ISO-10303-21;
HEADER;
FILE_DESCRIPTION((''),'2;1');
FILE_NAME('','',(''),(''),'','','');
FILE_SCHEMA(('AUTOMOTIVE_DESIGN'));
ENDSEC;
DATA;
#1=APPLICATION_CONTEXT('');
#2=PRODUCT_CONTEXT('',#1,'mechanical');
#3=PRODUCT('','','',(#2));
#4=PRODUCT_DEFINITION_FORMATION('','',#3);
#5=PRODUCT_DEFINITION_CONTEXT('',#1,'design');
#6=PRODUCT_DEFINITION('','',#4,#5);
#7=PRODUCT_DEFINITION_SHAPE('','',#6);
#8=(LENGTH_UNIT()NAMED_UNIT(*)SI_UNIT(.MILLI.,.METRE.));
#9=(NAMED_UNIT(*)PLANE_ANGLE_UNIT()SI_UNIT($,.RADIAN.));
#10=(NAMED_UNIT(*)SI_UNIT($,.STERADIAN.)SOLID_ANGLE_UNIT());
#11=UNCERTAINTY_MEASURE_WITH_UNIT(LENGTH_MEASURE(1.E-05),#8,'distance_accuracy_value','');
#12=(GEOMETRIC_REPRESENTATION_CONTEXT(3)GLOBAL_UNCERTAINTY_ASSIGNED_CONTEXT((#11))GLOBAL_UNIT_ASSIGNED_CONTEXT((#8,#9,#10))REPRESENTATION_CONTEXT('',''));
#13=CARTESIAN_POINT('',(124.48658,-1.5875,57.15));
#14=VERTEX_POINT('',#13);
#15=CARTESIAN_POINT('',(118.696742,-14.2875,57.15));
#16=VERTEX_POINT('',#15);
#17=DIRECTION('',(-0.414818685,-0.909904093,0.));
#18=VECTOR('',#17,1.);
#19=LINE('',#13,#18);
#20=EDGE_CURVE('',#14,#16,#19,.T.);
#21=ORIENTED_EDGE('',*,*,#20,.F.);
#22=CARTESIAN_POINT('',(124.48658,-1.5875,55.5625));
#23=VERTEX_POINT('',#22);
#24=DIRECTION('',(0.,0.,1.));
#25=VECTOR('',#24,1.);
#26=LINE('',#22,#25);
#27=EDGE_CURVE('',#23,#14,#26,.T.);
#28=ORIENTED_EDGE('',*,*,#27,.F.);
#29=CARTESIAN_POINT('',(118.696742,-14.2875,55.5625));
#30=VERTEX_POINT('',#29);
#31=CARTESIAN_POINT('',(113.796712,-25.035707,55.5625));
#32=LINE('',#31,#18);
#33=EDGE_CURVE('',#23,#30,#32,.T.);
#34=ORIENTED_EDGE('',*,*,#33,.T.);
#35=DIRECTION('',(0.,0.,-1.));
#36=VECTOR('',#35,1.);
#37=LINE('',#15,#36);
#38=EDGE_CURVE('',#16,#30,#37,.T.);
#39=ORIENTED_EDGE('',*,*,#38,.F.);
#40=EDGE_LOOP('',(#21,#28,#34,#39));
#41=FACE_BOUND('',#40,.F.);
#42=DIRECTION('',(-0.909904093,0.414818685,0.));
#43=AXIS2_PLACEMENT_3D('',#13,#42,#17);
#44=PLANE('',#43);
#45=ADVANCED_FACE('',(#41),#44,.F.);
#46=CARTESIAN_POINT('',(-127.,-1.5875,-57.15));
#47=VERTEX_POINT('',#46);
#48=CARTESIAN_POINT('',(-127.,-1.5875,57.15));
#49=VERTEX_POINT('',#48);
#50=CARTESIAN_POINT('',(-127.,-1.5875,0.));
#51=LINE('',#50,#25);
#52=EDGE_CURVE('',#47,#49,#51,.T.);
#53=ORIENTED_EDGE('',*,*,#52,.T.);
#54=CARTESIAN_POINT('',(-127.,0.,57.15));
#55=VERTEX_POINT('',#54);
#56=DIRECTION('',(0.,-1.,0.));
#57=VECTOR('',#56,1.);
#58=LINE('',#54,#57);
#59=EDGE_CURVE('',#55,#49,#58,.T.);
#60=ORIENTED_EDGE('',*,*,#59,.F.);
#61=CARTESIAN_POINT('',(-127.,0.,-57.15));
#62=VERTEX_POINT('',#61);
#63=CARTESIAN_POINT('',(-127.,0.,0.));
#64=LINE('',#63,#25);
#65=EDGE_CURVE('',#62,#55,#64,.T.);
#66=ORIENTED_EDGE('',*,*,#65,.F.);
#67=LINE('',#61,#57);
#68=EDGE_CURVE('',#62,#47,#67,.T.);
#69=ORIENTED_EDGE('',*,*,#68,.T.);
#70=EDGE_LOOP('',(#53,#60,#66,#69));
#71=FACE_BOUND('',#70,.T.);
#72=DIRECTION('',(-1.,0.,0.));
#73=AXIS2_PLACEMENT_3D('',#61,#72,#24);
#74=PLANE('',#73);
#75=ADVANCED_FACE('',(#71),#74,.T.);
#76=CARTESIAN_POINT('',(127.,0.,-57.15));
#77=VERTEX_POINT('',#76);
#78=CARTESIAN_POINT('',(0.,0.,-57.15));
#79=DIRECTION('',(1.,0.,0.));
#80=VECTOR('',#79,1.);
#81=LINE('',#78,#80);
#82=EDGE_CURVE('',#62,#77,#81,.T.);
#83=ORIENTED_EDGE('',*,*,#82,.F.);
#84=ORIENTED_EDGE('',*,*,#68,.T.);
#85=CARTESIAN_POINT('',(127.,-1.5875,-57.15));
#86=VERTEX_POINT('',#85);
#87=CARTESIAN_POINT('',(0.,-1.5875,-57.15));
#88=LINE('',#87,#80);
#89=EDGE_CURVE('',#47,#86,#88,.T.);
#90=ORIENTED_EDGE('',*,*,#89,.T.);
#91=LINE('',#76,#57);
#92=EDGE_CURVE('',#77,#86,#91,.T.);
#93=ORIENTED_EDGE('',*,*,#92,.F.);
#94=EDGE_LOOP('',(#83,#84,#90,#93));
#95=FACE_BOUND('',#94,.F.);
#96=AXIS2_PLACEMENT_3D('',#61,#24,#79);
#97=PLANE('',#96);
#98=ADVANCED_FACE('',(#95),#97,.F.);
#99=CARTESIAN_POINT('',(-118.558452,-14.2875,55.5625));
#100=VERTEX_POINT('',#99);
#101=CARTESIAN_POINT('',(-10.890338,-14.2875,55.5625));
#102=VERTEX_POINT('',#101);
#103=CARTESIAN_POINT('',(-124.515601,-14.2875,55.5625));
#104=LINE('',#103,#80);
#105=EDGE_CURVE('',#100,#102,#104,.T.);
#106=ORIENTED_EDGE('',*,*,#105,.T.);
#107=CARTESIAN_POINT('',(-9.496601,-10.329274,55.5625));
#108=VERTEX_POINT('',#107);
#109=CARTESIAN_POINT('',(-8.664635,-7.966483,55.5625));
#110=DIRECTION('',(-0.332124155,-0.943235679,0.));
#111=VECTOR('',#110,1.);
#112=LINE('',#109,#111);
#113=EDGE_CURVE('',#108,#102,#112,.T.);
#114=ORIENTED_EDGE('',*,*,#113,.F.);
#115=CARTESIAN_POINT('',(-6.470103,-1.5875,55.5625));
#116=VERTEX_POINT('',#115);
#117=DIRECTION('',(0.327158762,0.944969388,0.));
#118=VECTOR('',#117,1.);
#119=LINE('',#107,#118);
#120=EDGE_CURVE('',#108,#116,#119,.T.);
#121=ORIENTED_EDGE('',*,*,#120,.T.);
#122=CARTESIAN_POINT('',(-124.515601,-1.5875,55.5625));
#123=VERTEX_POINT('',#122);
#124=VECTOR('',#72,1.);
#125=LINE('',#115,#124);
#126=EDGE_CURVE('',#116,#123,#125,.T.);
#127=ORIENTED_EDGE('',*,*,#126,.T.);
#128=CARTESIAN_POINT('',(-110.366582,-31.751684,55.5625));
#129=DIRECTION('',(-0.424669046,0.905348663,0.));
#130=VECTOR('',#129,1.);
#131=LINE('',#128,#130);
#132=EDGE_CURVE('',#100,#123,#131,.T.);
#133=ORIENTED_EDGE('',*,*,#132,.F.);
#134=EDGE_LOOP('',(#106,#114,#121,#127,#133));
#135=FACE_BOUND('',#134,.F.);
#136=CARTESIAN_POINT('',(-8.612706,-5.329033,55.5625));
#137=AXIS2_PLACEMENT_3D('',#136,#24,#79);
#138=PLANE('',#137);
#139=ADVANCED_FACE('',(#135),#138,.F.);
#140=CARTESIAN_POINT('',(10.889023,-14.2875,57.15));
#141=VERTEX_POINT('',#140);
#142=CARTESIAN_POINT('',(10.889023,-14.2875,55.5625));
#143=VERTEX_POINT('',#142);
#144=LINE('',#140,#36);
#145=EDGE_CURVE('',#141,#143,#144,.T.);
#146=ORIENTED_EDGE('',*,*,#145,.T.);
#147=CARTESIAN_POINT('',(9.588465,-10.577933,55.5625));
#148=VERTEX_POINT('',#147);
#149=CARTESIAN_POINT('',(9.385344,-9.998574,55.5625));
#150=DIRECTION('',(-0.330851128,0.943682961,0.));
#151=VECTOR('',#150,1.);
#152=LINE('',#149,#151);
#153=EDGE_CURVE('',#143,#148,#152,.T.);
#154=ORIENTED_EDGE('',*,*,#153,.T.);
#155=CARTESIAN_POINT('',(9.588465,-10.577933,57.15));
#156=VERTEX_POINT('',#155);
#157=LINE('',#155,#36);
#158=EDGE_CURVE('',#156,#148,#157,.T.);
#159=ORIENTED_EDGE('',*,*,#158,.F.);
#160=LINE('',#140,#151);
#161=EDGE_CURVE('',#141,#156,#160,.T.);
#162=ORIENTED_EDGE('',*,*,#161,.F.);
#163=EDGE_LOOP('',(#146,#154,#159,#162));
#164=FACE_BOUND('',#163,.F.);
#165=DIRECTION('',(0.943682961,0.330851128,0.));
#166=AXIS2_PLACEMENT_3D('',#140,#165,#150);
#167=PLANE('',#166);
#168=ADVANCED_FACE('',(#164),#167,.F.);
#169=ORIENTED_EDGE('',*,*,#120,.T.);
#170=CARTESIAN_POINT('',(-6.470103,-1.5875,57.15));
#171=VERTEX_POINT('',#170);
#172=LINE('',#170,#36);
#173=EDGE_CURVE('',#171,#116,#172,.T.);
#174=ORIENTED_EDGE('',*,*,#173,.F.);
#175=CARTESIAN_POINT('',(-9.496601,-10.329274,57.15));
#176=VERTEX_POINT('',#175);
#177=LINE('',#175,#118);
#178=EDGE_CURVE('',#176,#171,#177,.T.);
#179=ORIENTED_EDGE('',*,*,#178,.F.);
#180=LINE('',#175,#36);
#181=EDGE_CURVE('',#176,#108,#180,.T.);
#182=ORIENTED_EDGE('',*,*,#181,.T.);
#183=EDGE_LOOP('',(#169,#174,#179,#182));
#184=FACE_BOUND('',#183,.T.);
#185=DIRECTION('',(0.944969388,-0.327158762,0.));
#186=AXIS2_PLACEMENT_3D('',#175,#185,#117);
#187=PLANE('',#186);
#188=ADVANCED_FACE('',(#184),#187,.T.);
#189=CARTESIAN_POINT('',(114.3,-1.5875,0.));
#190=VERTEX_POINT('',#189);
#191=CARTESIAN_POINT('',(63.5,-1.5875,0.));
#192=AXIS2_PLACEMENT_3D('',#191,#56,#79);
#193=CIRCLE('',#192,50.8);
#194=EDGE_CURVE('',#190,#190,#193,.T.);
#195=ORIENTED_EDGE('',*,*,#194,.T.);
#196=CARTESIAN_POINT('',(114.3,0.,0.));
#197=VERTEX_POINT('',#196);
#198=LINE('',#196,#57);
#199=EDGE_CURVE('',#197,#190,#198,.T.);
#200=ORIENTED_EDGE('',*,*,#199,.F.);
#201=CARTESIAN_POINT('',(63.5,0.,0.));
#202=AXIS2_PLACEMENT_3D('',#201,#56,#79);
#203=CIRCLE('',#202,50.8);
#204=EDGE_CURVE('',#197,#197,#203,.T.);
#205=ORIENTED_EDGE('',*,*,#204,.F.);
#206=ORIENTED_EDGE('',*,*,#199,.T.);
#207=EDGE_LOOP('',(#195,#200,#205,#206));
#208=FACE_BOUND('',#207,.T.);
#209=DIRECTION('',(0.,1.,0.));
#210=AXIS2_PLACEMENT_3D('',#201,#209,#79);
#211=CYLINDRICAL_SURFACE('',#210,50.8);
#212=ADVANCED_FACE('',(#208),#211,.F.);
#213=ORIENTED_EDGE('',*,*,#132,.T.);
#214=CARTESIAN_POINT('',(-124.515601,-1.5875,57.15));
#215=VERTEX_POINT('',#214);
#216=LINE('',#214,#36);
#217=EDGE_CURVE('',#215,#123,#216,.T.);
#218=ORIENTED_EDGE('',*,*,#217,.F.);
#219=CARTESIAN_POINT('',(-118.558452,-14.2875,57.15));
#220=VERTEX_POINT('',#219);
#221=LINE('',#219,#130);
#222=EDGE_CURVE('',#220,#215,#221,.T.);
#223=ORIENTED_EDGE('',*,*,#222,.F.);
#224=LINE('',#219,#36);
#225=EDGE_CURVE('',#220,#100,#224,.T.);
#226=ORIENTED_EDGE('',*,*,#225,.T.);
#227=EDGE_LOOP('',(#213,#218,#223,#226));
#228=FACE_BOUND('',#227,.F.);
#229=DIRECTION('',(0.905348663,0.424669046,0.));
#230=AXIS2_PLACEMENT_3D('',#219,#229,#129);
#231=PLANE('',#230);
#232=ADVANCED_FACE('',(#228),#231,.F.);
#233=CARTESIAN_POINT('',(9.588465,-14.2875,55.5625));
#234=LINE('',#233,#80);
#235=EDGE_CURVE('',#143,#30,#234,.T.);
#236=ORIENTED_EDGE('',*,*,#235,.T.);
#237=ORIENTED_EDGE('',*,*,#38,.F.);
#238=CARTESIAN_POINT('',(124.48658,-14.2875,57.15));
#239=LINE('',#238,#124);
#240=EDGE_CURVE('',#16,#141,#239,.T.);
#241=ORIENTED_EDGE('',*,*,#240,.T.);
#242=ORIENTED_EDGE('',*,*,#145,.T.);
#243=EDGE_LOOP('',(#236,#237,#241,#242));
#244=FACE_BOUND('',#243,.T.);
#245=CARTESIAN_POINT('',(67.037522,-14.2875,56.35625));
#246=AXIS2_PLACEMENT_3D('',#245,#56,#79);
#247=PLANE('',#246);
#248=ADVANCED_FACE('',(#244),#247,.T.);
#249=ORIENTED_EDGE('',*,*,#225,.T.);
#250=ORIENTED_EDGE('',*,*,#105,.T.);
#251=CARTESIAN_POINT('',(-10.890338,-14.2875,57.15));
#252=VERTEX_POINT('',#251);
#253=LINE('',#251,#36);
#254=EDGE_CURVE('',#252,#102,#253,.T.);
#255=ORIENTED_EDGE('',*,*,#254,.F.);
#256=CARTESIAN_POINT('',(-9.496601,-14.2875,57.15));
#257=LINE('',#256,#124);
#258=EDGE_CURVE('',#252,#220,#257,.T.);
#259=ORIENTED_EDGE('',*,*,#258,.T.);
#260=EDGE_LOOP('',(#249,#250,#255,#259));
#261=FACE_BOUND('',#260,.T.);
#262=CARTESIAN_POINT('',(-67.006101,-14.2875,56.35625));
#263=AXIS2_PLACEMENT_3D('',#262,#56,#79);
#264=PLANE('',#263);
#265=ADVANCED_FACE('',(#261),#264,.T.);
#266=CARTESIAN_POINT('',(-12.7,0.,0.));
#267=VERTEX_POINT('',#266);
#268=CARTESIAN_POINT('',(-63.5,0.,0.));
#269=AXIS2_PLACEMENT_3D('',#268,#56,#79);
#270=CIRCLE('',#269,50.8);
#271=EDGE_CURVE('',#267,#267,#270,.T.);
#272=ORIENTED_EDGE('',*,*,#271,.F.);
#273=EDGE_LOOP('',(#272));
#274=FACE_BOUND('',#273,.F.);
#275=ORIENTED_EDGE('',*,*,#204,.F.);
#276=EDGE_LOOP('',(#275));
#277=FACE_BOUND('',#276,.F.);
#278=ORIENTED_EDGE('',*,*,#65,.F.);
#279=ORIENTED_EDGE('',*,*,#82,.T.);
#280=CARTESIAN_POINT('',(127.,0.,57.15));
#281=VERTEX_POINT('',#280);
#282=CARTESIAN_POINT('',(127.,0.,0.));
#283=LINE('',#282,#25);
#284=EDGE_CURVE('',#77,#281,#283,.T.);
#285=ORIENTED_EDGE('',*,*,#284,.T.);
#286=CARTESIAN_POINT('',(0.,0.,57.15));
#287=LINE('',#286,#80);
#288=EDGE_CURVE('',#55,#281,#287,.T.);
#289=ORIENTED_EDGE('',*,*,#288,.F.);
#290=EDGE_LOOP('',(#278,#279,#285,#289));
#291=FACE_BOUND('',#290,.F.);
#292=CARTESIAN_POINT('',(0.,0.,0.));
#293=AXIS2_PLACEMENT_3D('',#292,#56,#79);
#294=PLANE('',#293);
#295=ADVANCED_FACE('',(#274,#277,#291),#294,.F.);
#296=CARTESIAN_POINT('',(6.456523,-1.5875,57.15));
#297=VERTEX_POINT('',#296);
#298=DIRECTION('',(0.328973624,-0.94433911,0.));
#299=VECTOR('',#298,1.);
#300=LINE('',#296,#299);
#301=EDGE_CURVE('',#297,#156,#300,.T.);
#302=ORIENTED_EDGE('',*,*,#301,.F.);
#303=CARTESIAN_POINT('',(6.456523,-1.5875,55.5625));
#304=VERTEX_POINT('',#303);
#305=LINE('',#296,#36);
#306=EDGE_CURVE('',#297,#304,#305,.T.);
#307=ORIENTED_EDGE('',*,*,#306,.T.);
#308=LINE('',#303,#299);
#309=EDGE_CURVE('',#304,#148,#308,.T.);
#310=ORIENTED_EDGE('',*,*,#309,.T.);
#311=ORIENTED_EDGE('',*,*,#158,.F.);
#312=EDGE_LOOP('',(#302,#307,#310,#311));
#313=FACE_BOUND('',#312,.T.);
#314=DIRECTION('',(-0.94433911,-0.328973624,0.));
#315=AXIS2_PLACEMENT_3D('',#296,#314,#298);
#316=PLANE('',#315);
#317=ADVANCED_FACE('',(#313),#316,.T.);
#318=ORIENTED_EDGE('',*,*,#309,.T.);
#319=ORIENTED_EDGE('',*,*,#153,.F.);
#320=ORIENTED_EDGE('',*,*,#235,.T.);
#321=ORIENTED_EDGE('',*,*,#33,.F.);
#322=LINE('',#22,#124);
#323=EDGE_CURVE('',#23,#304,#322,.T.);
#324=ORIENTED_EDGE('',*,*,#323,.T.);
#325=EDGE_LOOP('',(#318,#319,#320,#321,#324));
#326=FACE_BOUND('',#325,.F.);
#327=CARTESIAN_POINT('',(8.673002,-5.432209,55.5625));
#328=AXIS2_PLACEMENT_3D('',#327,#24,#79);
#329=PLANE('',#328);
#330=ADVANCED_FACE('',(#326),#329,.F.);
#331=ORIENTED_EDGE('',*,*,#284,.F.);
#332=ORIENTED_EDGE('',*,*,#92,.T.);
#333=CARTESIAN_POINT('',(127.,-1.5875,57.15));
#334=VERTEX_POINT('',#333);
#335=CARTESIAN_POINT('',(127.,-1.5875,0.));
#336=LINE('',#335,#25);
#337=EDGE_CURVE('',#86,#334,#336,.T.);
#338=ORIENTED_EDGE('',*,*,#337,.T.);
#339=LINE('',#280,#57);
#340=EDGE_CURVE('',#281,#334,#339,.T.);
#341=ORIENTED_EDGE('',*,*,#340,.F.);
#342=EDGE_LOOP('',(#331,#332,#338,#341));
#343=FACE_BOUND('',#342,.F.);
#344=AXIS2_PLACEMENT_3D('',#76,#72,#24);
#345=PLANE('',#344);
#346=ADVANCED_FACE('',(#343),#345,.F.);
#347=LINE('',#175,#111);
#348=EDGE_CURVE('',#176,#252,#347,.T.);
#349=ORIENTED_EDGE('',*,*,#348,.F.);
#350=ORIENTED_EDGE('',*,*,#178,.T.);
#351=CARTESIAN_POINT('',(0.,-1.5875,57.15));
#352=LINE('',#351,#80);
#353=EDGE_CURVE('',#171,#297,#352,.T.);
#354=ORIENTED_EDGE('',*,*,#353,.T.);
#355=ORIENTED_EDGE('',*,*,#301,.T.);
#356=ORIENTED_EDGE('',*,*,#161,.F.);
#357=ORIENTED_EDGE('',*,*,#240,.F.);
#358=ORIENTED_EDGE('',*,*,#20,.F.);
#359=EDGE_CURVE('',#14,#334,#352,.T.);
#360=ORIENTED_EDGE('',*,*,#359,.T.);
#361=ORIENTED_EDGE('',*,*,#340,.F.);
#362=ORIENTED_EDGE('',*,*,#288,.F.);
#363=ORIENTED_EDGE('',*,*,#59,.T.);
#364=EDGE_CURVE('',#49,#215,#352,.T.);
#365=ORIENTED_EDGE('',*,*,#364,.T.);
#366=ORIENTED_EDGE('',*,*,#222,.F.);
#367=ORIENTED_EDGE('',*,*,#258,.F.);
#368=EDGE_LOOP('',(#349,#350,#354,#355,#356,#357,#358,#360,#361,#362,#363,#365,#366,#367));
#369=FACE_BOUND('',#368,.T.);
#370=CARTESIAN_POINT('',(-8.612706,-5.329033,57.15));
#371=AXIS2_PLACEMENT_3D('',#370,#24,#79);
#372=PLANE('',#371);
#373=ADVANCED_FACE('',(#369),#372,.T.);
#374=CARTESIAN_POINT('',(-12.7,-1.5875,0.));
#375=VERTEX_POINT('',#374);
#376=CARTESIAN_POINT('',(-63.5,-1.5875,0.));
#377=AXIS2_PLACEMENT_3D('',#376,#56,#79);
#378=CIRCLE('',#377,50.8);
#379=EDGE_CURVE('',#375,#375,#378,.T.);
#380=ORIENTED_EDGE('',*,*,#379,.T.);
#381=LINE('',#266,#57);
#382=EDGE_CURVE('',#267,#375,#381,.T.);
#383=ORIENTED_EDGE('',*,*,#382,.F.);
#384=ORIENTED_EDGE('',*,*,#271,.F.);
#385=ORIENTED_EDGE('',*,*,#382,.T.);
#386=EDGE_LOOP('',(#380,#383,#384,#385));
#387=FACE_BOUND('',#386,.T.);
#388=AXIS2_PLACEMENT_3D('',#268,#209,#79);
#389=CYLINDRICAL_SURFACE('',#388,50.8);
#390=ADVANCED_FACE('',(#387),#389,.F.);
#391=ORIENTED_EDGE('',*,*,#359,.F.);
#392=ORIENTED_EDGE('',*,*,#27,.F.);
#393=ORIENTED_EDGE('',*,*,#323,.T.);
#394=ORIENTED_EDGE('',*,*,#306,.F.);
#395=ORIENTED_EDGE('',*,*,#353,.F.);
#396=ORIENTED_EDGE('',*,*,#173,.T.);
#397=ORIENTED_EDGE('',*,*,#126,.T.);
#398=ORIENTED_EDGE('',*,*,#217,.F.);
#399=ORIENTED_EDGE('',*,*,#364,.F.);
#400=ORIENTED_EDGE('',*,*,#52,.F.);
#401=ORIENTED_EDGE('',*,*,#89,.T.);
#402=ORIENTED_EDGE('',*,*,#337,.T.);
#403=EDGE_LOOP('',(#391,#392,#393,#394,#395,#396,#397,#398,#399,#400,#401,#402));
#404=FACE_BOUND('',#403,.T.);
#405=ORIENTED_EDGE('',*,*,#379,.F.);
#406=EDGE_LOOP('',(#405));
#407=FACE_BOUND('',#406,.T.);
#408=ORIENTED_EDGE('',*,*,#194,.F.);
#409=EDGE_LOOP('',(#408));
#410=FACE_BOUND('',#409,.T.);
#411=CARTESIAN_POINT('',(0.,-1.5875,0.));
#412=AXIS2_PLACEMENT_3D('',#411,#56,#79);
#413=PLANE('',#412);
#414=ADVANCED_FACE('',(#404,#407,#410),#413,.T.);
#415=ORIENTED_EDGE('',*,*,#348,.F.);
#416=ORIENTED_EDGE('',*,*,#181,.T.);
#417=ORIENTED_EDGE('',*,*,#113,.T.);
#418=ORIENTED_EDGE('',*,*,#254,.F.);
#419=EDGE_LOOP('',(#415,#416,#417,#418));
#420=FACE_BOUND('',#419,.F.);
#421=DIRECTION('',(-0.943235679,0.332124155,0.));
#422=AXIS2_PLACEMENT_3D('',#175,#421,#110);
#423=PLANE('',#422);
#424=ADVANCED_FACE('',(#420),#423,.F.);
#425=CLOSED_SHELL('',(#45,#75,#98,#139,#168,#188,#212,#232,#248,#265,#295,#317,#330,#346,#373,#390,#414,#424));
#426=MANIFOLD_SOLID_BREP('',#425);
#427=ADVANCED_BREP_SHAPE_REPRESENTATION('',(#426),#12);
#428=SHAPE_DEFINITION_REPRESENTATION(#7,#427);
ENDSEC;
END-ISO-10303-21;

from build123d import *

# Parameters (mm, degrees)
F0_W     = 254
F0_H     = 114.3
F0_R     = 50.8
F1_DEPTH = 1.5875
F3_DEPTH = 12.7
F5_DEPTH = 1.5875
F7_DEPTH = 25.4
F9_DEPTH = 25.4


with BuildPart() as f1:
    # F0 (on Front) → F1 (new body)
    with BuildSketch(Plane.XZ):
        Rectangle(F0_W, F0_H)
        with Locations((-63.5, 0)):
            Circle(F0_R, mode=Mode.SUBTRACT)
        with Locations((63.5, 0)):
            Circle(F0_R, mode=Mode.SUBTRACT)
    extrude(amount=F1_DEPTH)

    # F2 (on face) → F3 (join)
    with BuildSketch(Plane.XZ.offset(1.5875)):
        Polygon((-9.496601, 57.15), (-122.010618, 57.15), (-124.515601, 57.15), (-124.515601, 55.5625), (-122.010618, 55.5625), (-9.496601, 55.5625), align=None)
        Polygon((121.816622, 57.15), (9.588465, 57.15), (9.588465, 55.5625), (121.816622, 55.5625), (124.48658, 55.5625), (124.48658, 57.15), align=None)
    extrude(amount=F3_DEPTH)

    # F4 (on face) → F5 (join)
    with BuildSketch(Plane.XY.offset(57.15)):
        Polygon((-6.470103, -1.5875), (-9.496601, -1.5875), (-9.496601, -10.329274), align=None)
        Polygon((9.588465, -10.577933), (9.588465, -1.5875), (6.456523, -1.5875), align=None)
    extrude(amount=-F5_DEPTH)

    # F6 (on face) → F7 (cut)
    with BuildSketch(Plane.XY.offset(57.15)):
        Polygon((-10.890338, -14.2875), (-9.496601, -14.2875), (-9.496601, -10.329274), align=None)
        Polygon((9.588465, -10.577933), (9.588465, -14.2875), (10.889023, -14.2875), align=None)
    extrude(amount=-F7_DEPTH, mode=Mode.SUBTRACT)

    # F8 (on face) → F9 (cut)
    with BuildSketch(Plane.XY.offset(57.15)):
        Polygon((-118.558452, -14.2875), (-124.515601, -1.5875), (-124.515601, -14.2875), align=None)
        Polygon((124.48658, -14.2875), (124.48658, -1.5875), (118.696742, -14.2875), align=None)
    extrude(amount=-F9_DEPTH, mode=Mode.SUBTRACT)


solid = f1.part
